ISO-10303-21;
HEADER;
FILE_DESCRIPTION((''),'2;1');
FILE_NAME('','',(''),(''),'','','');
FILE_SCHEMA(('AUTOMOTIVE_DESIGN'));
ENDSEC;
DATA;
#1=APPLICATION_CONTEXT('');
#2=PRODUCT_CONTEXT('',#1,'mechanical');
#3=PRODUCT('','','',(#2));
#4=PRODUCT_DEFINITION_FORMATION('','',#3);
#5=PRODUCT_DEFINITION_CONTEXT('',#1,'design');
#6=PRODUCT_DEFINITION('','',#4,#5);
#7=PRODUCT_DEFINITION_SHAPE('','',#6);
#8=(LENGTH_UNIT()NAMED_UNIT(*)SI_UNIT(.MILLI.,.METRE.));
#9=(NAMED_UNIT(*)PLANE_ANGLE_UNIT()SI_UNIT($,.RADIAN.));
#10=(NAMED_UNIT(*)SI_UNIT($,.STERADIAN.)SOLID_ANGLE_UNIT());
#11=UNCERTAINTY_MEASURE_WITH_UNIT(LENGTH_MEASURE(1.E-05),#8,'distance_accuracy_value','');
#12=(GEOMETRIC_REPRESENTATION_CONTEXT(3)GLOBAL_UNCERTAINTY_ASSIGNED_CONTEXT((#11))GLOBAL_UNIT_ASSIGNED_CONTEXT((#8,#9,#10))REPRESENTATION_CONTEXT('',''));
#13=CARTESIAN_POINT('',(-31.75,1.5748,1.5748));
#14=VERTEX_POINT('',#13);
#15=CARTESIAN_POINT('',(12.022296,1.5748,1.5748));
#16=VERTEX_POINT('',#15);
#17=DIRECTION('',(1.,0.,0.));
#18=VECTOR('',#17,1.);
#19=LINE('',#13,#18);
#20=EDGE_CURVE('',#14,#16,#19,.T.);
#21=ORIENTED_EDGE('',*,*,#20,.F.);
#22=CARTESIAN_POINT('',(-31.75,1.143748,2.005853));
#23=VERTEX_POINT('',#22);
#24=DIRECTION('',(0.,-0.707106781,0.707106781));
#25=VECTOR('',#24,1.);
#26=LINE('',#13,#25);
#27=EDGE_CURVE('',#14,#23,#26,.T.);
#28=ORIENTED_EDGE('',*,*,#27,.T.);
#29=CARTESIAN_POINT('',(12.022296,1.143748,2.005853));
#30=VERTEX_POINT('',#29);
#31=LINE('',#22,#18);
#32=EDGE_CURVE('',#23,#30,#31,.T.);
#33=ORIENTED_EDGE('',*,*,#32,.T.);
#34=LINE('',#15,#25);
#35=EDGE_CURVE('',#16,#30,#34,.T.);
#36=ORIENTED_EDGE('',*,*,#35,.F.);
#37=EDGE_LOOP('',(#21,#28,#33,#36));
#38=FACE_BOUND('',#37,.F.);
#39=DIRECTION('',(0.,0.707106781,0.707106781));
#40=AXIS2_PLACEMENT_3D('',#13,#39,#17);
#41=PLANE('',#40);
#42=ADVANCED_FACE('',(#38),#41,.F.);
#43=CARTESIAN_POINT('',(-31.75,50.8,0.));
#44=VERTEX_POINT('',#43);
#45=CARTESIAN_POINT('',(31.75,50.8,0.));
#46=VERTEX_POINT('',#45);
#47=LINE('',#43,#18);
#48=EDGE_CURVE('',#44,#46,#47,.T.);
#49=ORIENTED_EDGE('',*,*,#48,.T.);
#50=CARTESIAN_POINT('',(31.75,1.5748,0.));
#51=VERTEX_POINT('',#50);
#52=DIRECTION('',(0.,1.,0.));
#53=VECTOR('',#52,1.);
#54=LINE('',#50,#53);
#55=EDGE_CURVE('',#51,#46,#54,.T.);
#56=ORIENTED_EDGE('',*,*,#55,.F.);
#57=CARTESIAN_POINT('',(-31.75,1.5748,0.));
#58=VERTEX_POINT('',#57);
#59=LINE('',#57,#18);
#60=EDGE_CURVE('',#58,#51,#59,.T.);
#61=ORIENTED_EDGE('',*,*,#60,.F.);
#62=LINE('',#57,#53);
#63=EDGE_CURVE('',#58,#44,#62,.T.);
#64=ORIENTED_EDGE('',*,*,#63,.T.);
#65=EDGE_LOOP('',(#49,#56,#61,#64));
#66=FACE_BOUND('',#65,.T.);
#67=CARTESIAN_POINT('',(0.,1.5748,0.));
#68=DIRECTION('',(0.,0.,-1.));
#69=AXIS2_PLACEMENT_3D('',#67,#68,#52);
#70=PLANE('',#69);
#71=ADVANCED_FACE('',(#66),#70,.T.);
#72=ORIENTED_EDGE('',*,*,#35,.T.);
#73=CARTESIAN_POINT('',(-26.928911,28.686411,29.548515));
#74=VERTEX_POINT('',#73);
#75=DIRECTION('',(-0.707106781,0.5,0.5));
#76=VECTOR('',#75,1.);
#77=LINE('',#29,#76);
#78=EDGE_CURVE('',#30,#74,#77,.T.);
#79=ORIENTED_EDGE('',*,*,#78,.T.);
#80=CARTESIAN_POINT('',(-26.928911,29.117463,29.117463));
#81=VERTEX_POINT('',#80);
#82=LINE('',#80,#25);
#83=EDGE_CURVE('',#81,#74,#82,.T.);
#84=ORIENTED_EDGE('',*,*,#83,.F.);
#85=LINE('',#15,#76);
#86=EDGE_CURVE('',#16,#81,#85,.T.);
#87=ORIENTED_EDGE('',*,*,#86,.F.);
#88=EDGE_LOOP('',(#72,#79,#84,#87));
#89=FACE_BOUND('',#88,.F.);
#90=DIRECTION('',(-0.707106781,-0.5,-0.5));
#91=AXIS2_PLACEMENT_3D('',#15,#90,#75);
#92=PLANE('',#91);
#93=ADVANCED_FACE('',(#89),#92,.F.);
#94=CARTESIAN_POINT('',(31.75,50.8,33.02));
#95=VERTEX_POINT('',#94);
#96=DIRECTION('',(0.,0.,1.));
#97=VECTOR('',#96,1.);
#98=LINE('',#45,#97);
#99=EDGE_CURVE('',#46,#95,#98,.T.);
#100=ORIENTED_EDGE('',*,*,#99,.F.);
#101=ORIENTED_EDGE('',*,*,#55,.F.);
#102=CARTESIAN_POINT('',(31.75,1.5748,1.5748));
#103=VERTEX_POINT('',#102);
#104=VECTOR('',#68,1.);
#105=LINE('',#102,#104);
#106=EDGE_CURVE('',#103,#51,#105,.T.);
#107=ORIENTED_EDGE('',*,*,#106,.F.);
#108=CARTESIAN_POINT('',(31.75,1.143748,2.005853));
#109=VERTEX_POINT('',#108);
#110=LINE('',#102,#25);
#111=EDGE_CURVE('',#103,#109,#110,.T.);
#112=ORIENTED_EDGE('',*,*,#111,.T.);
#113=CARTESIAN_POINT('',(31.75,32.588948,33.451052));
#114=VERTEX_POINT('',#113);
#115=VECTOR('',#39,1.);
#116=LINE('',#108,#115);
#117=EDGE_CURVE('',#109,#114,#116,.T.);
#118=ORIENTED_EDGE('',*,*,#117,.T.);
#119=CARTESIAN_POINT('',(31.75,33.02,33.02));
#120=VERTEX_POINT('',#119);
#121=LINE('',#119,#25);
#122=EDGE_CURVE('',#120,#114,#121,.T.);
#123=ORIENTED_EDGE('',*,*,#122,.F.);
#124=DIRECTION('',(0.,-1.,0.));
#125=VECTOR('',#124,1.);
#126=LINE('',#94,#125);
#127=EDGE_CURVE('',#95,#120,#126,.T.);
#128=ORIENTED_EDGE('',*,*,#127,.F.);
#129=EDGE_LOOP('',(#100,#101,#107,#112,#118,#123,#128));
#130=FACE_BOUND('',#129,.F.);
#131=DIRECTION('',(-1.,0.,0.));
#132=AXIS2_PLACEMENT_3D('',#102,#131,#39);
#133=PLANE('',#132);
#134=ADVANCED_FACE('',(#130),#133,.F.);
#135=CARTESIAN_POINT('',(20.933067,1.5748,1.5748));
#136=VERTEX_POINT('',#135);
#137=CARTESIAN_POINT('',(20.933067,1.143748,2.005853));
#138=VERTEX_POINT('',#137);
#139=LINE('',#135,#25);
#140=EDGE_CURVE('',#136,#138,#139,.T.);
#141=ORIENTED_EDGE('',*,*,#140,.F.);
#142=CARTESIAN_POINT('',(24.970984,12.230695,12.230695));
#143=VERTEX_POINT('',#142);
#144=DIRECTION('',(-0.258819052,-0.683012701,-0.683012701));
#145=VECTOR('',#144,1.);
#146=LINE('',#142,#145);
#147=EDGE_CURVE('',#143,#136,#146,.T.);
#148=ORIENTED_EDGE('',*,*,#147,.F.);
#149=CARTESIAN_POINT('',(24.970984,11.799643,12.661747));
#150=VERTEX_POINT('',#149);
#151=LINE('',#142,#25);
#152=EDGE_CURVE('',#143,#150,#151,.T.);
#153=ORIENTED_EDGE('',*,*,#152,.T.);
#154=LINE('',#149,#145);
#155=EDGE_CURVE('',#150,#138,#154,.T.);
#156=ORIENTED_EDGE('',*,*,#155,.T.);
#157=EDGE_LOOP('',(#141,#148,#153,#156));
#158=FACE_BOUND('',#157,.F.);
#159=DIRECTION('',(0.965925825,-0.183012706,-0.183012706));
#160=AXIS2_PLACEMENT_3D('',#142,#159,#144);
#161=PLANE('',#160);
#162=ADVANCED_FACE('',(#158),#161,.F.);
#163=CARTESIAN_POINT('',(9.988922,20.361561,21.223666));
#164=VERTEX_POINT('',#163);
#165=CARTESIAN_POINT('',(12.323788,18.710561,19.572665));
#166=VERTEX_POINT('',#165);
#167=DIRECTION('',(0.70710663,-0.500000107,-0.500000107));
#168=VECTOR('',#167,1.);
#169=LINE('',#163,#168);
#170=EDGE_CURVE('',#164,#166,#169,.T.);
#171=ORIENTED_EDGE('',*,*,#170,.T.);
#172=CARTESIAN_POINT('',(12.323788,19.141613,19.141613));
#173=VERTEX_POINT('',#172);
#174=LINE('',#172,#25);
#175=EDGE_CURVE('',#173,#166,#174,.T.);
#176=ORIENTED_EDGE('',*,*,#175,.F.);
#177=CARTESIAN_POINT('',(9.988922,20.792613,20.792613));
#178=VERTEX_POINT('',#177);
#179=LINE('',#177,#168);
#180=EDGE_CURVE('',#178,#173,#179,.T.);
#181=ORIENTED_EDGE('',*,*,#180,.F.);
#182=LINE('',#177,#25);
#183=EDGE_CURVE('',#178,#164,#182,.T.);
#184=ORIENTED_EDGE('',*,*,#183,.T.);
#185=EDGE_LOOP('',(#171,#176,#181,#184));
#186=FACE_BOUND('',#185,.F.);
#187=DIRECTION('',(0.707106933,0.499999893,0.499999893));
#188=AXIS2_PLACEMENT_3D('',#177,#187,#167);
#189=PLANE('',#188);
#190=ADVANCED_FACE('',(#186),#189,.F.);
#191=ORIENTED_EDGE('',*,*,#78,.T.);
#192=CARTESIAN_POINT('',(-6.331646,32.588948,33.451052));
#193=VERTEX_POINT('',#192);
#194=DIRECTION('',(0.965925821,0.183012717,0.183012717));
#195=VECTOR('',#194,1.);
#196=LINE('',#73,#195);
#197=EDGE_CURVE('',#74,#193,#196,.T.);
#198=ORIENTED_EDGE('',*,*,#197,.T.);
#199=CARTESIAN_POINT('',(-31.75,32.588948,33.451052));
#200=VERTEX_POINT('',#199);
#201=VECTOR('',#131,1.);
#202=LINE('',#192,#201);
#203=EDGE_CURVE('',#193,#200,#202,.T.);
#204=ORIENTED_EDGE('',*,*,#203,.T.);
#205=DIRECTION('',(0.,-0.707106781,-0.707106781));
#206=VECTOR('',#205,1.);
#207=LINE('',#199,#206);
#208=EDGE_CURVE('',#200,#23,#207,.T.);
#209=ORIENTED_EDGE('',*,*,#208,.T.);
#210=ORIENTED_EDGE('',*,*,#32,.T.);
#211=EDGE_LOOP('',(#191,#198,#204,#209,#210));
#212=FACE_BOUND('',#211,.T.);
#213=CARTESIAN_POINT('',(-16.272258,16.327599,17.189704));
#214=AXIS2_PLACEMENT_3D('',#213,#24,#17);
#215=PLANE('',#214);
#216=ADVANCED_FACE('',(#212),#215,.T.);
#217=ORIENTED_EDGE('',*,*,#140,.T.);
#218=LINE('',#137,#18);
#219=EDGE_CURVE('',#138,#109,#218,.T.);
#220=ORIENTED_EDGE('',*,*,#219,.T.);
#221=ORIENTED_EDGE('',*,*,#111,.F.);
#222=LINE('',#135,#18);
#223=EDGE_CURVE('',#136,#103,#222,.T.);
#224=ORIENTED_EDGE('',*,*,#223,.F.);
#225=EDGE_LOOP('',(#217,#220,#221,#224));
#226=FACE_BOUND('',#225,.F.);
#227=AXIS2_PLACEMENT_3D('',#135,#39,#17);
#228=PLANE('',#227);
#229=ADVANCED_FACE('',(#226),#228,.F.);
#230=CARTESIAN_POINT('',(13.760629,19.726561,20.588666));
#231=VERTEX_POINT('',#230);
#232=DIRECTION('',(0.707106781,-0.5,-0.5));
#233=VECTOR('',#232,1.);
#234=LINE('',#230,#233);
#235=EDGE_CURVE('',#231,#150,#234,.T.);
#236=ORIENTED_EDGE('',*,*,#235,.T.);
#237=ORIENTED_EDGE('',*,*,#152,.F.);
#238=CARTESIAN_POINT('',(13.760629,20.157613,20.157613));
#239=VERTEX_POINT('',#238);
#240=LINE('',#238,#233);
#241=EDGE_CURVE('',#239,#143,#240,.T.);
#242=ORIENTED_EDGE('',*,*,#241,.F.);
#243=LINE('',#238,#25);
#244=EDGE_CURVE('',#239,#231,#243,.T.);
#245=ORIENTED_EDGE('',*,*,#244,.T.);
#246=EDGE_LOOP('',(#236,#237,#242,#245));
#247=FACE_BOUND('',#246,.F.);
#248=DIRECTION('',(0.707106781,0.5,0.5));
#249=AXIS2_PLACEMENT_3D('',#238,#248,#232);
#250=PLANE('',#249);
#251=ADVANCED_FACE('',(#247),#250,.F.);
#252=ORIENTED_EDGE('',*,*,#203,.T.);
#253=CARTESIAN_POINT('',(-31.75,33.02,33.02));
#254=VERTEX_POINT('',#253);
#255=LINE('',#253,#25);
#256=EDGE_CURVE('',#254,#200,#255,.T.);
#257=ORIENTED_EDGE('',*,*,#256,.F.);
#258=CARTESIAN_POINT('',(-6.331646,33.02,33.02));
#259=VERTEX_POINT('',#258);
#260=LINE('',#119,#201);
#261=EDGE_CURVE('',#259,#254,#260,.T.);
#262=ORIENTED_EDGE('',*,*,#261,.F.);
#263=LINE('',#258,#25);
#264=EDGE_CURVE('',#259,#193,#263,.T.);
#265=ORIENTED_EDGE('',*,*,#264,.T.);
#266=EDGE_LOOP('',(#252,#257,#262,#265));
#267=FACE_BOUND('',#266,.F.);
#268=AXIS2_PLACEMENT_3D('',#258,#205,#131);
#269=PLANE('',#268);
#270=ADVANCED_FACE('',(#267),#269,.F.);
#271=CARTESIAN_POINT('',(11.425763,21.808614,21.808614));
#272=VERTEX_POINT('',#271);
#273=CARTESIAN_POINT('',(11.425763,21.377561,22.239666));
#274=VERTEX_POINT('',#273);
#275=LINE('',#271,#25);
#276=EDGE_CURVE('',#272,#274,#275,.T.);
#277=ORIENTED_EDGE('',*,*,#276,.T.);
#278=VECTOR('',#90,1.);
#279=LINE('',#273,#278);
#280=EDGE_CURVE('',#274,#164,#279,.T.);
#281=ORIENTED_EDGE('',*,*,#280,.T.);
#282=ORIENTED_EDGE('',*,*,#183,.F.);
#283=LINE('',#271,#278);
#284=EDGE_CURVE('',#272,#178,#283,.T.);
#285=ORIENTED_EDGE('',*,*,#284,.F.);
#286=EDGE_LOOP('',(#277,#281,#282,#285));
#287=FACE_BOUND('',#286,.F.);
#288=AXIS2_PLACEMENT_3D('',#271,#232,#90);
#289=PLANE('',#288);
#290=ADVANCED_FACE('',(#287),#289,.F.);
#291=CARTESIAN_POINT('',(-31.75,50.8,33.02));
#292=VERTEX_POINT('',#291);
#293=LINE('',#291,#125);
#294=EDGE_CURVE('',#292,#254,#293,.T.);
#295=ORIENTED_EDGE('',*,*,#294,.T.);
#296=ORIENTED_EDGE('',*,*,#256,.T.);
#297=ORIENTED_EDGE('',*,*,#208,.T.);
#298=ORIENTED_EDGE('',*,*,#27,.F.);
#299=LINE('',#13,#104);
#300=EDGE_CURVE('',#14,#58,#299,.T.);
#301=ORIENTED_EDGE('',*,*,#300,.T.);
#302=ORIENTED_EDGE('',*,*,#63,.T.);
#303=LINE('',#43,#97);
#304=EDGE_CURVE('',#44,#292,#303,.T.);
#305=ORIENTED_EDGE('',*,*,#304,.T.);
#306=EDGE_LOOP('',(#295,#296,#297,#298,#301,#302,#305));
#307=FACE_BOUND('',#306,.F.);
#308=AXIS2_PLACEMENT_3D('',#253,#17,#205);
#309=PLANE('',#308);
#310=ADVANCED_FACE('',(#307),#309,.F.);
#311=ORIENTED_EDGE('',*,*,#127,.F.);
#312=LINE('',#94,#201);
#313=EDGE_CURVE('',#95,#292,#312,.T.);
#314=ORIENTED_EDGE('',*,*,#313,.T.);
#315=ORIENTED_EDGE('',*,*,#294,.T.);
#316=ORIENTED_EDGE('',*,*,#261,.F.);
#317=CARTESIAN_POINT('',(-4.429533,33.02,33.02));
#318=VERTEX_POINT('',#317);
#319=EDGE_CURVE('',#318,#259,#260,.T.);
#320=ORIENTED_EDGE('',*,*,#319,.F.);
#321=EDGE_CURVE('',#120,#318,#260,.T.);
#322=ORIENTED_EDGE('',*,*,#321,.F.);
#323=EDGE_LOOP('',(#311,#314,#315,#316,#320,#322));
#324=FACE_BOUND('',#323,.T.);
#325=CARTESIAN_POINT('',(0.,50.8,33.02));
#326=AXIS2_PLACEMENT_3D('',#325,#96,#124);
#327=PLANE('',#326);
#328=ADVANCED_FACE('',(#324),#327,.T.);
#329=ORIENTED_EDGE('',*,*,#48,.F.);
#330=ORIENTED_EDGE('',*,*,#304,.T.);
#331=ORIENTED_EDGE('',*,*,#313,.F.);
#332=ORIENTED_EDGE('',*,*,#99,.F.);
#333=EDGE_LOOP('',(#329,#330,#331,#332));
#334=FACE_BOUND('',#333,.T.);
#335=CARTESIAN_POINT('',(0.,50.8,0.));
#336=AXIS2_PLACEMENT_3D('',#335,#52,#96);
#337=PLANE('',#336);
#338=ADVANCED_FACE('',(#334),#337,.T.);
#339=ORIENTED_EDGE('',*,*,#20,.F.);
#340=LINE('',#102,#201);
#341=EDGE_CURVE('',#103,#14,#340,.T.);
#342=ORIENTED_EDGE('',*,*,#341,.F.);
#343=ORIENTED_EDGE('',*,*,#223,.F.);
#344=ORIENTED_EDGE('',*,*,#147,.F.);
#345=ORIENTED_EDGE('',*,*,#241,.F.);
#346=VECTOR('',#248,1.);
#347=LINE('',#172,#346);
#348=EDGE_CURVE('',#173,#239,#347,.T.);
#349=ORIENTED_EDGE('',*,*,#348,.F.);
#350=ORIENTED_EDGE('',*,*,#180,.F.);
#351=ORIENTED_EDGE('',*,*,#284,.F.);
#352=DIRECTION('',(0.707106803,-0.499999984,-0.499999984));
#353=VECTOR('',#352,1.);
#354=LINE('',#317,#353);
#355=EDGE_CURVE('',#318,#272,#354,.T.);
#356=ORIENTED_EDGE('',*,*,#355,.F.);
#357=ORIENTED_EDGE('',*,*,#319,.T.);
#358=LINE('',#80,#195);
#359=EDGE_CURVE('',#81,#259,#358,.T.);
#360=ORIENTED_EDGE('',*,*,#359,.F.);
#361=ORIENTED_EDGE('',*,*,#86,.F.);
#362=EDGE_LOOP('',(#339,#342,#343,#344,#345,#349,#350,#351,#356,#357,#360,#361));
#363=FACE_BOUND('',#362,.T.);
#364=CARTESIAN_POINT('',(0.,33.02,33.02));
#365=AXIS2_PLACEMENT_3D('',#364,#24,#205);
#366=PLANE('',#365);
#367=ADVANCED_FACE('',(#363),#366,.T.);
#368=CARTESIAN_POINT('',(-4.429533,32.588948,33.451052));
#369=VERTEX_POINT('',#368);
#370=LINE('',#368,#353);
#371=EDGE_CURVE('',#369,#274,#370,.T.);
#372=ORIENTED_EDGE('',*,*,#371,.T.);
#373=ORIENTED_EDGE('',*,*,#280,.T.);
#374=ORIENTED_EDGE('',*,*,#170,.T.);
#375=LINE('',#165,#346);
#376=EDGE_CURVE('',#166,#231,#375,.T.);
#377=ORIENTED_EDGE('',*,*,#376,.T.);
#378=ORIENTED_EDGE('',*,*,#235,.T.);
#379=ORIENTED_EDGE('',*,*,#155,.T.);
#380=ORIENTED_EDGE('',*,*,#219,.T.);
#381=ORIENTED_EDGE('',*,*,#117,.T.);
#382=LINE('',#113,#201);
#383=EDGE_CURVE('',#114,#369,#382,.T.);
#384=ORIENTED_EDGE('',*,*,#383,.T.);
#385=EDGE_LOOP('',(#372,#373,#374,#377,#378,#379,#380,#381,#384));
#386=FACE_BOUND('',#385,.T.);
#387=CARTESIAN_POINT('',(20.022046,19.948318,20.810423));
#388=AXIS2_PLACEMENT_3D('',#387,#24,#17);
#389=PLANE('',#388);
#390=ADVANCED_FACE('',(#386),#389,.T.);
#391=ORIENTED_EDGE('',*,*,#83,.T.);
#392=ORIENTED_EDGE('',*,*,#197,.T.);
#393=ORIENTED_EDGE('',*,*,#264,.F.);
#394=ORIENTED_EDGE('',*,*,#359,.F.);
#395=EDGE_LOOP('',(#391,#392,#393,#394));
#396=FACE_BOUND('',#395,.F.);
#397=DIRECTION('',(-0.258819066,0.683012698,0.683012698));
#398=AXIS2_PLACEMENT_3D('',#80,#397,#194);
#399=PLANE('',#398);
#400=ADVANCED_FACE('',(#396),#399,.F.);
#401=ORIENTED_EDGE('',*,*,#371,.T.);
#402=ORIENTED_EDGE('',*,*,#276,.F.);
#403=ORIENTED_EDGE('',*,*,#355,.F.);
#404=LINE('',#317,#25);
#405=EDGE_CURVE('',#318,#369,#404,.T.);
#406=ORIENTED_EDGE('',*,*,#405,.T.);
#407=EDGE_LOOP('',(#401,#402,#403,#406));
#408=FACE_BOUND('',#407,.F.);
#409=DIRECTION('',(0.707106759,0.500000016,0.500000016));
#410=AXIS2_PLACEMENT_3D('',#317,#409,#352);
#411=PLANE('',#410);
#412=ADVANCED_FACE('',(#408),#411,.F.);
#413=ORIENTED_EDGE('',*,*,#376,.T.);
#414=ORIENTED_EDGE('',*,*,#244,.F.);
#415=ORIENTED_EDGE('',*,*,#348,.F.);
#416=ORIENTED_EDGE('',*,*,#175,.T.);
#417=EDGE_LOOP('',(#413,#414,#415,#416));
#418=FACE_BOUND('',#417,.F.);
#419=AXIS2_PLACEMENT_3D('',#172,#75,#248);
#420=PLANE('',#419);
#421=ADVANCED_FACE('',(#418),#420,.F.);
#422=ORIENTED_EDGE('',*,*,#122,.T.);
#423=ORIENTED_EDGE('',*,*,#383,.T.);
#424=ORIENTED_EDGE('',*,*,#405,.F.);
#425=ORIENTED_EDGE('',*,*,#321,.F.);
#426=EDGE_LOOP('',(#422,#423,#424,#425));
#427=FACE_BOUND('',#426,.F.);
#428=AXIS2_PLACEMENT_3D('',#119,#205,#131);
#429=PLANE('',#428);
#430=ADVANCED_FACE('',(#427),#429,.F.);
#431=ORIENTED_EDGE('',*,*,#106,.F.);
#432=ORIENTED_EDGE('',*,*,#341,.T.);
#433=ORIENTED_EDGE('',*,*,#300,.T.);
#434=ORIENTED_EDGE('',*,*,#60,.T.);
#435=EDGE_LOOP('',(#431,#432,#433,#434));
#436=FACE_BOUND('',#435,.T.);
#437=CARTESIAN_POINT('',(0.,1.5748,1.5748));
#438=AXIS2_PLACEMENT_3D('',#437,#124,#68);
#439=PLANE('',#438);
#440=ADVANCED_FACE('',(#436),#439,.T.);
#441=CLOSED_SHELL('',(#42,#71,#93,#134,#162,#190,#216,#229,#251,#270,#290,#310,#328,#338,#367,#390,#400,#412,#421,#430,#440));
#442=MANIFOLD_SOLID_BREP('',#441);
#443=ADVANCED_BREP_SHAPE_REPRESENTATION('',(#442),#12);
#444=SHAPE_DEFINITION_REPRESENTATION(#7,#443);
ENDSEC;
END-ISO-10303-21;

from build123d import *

# Parameters (mm, degrees)
F1_DEPTH = 31.75
F3_DEPTH = 0.6096


with BuildPart() as f1:
    # F0 (on Right) → F1 (new body, symmetric)
    with BuildSketch(Plane.YZ):
        Polygon((1.5748, 1.5748), (1.5748, 0), (50.8, 0), (50.8, 33.02), (33.02, 33.02), align=None)
    extrude(amount=F1_DEPTH, both=True)

    # F2 (on face) → F3 (join)
    with BuildSketch(Plane(origin=(0, 0, 0), x_dir=(1, 0, 0), z_dir=(0, -0.707107, 0.707107))):
        Polygon((20.933067, 2.227104), (31.75, 2.227104), (31.75, 46.697332), (-4.429533, 46.697332), (11.425763, 30.842037), (13.760629, 28.50717), (24.970984, 17.296815), align=None)
        Polygon((13.760629, 28.50717), (11.425763, 30.842037), (9.988922, 29.405196), (12.323788, 27.070329), align=None)
        Polygon((-31.75, 2.227104), (12.022296, 2.227104), (-26.928911, 41.178311), (-6.331646, 46.697332), (-31.75, 46.697332), align=None)
    extrude(amount=F3_DEPTH)


solid = f1.part
